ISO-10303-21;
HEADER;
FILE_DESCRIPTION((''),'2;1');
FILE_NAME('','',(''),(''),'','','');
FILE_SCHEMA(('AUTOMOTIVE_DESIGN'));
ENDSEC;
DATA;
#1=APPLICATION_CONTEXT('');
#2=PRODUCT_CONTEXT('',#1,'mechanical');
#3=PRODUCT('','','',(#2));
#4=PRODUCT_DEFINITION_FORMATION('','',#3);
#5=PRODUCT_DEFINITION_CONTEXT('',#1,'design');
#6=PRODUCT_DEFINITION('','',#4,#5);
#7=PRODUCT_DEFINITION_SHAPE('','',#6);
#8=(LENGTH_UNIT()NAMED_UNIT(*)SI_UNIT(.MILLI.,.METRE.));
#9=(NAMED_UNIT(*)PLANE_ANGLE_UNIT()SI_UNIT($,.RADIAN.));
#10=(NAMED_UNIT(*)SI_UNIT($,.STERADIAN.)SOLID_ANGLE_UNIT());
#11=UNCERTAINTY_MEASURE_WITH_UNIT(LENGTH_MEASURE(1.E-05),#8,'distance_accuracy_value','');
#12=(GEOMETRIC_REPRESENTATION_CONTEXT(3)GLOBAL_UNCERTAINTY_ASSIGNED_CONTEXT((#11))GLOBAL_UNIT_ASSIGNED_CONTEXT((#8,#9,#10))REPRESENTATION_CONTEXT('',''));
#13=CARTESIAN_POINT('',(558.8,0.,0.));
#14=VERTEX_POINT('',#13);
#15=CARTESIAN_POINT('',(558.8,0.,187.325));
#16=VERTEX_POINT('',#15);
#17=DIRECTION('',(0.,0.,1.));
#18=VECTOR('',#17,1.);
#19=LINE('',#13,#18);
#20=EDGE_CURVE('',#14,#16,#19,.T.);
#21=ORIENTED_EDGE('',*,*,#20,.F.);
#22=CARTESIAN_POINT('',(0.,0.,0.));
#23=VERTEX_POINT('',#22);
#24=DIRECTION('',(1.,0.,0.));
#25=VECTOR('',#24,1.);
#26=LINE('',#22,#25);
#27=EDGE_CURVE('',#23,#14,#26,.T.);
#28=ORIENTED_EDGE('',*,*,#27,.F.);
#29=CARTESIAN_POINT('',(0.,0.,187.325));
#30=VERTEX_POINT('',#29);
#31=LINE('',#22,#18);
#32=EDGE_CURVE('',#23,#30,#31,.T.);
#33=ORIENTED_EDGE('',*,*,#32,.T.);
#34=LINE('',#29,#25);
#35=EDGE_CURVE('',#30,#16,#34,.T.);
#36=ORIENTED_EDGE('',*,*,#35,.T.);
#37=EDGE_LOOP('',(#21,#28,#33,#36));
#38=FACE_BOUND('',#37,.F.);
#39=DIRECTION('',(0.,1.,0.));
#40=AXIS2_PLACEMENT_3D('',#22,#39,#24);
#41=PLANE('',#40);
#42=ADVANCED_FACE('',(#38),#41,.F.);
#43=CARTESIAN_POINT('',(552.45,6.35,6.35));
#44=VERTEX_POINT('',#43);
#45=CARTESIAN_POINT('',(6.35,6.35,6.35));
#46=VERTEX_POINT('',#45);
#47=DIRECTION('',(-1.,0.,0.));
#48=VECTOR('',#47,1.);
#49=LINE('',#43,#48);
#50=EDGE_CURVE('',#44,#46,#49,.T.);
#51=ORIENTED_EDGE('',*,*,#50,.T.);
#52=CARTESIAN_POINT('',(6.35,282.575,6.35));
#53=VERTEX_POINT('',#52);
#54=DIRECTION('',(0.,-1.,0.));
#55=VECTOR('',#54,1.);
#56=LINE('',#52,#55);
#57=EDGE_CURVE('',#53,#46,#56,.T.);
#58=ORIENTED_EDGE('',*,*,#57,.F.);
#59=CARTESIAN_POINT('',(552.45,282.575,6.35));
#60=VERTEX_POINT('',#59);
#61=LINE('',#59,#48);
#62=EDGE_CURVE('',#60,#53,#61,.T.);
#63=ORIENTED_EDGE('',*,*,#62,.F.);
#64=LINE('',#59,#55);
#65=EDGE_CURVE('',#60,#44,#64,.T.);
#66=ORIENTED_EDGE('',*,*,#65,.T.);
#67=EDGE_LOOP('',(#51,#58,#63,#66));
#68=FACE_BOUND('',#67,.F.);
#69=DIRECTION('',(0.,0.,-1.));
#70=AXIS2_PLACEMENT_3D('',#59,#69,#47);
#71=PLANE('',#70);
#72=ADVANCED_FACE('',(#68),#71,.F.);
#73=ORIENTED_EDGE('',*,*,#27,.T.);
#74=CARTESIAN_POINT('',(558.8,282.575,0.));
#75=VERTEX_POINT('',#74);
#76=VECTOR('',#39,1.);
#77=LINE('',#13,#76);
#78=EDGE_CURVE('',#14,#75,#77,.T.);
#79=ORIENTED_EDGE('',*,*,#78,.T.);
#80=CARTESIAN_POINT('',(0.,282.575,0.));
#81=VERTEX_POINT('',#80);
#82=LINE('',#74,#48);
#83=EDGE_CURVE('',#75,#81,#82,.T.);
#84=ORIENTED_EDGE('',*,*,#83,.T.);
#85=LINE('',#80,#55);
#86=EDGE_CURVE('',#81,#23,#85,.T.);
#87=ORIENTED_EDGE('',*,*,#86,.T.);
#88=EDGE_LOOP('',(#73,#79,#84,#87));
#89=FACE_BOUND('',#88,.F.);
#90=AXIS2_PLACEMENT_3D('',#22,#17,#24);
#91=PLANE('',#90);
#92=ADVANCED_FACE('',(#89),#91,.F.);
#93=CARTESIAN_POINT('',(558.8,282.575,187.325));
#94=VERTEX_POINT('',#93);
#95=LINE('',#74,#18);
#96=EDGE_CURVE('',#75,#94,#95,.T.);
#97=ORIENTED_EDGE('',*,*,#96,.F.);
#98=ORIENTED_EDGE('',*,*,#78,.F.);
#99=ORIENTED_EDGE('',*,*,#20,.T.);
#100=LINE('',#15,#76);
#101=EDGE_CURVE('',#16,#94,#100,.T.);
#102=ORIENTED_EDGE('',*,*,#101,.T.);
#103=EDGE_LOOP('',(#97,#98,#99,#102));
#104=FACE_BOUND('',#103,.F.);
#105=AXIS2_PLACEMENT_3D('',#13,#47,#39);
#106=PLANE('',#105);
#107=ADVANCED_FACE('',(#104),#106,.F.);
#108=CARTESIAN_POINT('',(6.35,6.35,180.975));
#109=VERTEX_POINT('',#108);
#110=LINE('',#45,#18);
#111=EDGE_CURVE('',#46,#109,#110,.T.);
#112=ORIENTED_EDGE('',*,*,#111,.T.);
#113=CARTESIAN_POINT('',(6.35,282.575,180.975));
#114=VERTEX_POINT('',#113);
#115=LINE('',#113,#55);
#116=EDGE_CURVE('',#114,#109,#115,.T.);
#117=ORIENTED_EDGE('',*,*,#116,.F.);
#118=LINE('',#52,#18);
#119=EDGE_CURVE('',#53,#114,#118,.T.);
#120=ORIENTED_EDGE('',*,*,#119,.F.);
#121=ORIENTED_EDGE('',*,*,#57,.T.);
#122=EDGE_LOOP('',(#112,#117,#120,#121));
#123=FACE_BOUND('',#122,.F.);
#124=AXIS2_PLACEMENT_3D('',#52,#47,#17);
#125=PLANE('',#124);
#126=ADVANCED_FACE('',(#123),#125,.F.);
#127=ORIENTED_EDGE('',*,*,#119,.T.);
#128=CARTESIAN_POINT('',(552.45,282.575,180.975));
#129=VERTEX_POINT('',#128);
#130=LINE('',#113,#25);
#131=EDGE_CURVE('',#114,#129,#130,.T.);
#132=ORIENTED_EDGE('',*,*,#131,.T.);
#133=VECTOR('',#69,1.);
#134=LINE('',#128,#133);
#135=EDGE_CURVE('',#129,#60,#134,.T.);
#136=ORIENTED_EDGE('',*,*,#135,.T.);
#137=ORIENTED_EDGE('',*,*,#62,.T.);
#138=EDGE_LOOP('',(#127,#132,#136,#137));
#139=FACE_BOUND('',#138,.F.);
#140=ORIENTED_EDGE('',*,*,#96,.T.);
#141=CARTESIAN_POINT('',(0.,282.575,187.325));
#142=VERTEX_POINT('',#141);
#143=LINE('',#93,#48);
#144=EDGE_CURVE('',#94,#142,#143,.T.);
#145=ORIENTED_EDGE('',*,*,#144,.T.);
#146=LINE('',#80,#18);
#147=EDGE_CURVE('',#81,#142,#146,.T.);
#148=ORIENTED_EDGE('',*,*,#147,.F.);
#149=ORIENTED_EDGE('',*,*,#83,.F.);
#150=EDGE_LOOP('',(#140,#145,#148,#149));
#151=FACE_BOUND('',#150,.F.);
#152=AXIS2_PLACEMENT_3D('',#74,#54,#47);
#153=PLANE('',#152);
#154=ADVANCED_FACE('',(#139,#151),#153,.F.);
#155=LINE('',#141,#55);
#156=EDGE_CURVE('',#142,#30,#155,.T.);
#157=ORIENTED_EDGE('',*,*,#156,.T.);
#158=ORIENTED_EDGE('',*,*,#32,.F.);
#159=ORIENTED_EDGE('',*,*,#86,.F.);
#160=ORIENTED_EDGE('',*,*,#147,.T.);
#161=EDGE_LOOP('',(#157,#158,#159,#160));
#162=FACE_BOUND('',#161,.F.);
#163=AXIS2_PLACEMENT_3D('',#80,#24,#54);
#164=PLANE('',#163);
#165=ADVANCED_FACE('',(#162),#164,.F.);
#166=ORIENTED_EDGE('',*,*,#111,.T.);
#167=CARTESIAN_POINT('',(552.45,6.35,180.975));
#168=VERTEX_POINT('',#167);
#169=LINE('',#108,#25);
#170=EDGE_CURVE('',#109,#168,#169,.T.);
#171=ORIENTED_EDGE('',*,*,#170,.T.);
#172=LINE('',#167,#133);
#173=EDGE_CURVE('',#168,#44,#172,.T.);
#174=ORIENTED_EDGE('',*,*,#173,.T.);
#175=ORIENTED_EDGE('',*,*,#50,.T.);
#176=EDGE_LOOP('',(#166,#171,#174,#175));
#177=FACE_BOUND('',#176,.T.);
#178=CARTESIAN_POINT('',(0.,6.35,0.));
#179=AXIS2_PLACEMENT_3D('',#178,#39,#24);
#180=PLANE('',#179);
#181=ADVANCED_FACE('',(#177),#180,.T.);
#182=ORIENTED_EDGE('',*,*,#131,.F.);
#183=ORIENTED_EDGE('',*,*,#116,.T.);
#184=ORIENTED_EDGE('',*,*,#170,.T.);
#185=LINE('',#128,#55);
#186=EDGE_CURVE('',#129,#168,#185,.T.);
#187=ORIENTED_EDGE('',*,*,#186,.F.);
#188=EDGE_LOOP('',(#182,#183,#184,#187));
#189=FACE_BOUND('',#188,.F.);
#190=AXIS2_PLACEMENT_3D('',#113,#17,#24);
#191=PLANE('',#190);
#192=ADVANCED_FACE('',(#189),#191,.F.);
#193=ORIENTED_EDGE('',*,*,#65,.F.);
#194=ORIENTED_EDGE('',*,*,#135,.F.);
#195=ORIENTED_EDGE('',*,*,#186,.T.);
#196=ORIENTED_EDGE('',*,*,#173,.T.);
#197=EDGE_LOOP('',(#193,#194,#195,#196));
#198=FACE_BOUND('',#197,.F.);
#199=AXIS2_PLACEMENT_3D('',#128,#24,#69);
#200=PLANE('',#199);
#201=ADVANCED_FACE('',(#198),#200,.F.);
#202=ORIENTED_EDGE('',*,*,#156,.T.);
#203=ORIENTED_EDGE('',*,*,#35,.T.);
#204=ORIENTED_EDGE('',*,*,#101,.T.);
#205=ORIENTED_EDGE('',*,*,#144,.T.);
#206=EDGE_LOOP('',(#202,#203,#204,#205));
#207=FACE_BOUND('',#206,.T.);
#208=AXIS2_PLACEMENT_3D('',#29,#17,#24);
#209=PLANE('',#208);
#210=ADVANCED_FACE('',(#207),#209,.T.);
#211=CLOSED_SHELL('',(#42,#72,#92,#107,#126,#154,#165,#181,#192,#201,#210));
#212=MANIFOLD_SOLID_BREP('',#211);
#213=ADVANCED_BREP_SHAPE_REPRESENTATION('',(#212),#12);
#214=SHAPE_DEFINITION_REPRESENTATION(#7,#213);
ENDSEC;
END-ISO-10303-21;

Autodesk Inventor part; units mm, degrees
ref_plane "YZ Plane" through (0, 0, 0) normal (1, 0, 0) x (0, 1, 0)
ref_plane "XZ Plane" through (0, 0, 0) normal (0, 1, 0) x (-1, 0, 0)
ref_plane "XY Plane" through (0, 0, 0) normal (0, 0, 1) x (1, 0, 0)
sketch "Sketch1" plane through (0, 0, 0) normal (0, 0, 1) x (1, 0, 0)
  line L0 (0, 0) -> (558.8, 0)
  line L1 (558.8, 0) -> (558.8, 282.575)
  line L2 (558.8, 282.575) -> (0, 282.575)
  line L3 (0, 282.575) -> (0, 0)
  dimension "d0" = 558.8
  dimension "d1" = 282.575
extrude "Extrusion1" add sketch "Sketch1" along normal blind 187.325
sketch "Sketch2" plane through (0, 282.575, 0) normal (0, 1, 0) x (1, 0, 0)
  line L0 (0, -187.325) -> (558.8, -187.325) projected
  line L1 (0, 0) -> (0, -187.325) projected
  line L2 (6.35, -180.975) -> (552.45, -180.975)
  line L3 (552.45, -180.975) -> (552.45, -6.35)
  line L4 (552.45, -6.35) -> (6.35, -6.35)
  line L5 (6.35, -6.35) -> (6.35, -180.975)
  dimension "d4" = 6.35
  dimension "d5" = 6.35
  dimension "d6" = 546.1
  dimension "d7" = 174.625
extrude "Extrusion2" cut sketch "Sketch2" against normal blind 276.225
properties part number "Small Battery Box Pastic 1"
